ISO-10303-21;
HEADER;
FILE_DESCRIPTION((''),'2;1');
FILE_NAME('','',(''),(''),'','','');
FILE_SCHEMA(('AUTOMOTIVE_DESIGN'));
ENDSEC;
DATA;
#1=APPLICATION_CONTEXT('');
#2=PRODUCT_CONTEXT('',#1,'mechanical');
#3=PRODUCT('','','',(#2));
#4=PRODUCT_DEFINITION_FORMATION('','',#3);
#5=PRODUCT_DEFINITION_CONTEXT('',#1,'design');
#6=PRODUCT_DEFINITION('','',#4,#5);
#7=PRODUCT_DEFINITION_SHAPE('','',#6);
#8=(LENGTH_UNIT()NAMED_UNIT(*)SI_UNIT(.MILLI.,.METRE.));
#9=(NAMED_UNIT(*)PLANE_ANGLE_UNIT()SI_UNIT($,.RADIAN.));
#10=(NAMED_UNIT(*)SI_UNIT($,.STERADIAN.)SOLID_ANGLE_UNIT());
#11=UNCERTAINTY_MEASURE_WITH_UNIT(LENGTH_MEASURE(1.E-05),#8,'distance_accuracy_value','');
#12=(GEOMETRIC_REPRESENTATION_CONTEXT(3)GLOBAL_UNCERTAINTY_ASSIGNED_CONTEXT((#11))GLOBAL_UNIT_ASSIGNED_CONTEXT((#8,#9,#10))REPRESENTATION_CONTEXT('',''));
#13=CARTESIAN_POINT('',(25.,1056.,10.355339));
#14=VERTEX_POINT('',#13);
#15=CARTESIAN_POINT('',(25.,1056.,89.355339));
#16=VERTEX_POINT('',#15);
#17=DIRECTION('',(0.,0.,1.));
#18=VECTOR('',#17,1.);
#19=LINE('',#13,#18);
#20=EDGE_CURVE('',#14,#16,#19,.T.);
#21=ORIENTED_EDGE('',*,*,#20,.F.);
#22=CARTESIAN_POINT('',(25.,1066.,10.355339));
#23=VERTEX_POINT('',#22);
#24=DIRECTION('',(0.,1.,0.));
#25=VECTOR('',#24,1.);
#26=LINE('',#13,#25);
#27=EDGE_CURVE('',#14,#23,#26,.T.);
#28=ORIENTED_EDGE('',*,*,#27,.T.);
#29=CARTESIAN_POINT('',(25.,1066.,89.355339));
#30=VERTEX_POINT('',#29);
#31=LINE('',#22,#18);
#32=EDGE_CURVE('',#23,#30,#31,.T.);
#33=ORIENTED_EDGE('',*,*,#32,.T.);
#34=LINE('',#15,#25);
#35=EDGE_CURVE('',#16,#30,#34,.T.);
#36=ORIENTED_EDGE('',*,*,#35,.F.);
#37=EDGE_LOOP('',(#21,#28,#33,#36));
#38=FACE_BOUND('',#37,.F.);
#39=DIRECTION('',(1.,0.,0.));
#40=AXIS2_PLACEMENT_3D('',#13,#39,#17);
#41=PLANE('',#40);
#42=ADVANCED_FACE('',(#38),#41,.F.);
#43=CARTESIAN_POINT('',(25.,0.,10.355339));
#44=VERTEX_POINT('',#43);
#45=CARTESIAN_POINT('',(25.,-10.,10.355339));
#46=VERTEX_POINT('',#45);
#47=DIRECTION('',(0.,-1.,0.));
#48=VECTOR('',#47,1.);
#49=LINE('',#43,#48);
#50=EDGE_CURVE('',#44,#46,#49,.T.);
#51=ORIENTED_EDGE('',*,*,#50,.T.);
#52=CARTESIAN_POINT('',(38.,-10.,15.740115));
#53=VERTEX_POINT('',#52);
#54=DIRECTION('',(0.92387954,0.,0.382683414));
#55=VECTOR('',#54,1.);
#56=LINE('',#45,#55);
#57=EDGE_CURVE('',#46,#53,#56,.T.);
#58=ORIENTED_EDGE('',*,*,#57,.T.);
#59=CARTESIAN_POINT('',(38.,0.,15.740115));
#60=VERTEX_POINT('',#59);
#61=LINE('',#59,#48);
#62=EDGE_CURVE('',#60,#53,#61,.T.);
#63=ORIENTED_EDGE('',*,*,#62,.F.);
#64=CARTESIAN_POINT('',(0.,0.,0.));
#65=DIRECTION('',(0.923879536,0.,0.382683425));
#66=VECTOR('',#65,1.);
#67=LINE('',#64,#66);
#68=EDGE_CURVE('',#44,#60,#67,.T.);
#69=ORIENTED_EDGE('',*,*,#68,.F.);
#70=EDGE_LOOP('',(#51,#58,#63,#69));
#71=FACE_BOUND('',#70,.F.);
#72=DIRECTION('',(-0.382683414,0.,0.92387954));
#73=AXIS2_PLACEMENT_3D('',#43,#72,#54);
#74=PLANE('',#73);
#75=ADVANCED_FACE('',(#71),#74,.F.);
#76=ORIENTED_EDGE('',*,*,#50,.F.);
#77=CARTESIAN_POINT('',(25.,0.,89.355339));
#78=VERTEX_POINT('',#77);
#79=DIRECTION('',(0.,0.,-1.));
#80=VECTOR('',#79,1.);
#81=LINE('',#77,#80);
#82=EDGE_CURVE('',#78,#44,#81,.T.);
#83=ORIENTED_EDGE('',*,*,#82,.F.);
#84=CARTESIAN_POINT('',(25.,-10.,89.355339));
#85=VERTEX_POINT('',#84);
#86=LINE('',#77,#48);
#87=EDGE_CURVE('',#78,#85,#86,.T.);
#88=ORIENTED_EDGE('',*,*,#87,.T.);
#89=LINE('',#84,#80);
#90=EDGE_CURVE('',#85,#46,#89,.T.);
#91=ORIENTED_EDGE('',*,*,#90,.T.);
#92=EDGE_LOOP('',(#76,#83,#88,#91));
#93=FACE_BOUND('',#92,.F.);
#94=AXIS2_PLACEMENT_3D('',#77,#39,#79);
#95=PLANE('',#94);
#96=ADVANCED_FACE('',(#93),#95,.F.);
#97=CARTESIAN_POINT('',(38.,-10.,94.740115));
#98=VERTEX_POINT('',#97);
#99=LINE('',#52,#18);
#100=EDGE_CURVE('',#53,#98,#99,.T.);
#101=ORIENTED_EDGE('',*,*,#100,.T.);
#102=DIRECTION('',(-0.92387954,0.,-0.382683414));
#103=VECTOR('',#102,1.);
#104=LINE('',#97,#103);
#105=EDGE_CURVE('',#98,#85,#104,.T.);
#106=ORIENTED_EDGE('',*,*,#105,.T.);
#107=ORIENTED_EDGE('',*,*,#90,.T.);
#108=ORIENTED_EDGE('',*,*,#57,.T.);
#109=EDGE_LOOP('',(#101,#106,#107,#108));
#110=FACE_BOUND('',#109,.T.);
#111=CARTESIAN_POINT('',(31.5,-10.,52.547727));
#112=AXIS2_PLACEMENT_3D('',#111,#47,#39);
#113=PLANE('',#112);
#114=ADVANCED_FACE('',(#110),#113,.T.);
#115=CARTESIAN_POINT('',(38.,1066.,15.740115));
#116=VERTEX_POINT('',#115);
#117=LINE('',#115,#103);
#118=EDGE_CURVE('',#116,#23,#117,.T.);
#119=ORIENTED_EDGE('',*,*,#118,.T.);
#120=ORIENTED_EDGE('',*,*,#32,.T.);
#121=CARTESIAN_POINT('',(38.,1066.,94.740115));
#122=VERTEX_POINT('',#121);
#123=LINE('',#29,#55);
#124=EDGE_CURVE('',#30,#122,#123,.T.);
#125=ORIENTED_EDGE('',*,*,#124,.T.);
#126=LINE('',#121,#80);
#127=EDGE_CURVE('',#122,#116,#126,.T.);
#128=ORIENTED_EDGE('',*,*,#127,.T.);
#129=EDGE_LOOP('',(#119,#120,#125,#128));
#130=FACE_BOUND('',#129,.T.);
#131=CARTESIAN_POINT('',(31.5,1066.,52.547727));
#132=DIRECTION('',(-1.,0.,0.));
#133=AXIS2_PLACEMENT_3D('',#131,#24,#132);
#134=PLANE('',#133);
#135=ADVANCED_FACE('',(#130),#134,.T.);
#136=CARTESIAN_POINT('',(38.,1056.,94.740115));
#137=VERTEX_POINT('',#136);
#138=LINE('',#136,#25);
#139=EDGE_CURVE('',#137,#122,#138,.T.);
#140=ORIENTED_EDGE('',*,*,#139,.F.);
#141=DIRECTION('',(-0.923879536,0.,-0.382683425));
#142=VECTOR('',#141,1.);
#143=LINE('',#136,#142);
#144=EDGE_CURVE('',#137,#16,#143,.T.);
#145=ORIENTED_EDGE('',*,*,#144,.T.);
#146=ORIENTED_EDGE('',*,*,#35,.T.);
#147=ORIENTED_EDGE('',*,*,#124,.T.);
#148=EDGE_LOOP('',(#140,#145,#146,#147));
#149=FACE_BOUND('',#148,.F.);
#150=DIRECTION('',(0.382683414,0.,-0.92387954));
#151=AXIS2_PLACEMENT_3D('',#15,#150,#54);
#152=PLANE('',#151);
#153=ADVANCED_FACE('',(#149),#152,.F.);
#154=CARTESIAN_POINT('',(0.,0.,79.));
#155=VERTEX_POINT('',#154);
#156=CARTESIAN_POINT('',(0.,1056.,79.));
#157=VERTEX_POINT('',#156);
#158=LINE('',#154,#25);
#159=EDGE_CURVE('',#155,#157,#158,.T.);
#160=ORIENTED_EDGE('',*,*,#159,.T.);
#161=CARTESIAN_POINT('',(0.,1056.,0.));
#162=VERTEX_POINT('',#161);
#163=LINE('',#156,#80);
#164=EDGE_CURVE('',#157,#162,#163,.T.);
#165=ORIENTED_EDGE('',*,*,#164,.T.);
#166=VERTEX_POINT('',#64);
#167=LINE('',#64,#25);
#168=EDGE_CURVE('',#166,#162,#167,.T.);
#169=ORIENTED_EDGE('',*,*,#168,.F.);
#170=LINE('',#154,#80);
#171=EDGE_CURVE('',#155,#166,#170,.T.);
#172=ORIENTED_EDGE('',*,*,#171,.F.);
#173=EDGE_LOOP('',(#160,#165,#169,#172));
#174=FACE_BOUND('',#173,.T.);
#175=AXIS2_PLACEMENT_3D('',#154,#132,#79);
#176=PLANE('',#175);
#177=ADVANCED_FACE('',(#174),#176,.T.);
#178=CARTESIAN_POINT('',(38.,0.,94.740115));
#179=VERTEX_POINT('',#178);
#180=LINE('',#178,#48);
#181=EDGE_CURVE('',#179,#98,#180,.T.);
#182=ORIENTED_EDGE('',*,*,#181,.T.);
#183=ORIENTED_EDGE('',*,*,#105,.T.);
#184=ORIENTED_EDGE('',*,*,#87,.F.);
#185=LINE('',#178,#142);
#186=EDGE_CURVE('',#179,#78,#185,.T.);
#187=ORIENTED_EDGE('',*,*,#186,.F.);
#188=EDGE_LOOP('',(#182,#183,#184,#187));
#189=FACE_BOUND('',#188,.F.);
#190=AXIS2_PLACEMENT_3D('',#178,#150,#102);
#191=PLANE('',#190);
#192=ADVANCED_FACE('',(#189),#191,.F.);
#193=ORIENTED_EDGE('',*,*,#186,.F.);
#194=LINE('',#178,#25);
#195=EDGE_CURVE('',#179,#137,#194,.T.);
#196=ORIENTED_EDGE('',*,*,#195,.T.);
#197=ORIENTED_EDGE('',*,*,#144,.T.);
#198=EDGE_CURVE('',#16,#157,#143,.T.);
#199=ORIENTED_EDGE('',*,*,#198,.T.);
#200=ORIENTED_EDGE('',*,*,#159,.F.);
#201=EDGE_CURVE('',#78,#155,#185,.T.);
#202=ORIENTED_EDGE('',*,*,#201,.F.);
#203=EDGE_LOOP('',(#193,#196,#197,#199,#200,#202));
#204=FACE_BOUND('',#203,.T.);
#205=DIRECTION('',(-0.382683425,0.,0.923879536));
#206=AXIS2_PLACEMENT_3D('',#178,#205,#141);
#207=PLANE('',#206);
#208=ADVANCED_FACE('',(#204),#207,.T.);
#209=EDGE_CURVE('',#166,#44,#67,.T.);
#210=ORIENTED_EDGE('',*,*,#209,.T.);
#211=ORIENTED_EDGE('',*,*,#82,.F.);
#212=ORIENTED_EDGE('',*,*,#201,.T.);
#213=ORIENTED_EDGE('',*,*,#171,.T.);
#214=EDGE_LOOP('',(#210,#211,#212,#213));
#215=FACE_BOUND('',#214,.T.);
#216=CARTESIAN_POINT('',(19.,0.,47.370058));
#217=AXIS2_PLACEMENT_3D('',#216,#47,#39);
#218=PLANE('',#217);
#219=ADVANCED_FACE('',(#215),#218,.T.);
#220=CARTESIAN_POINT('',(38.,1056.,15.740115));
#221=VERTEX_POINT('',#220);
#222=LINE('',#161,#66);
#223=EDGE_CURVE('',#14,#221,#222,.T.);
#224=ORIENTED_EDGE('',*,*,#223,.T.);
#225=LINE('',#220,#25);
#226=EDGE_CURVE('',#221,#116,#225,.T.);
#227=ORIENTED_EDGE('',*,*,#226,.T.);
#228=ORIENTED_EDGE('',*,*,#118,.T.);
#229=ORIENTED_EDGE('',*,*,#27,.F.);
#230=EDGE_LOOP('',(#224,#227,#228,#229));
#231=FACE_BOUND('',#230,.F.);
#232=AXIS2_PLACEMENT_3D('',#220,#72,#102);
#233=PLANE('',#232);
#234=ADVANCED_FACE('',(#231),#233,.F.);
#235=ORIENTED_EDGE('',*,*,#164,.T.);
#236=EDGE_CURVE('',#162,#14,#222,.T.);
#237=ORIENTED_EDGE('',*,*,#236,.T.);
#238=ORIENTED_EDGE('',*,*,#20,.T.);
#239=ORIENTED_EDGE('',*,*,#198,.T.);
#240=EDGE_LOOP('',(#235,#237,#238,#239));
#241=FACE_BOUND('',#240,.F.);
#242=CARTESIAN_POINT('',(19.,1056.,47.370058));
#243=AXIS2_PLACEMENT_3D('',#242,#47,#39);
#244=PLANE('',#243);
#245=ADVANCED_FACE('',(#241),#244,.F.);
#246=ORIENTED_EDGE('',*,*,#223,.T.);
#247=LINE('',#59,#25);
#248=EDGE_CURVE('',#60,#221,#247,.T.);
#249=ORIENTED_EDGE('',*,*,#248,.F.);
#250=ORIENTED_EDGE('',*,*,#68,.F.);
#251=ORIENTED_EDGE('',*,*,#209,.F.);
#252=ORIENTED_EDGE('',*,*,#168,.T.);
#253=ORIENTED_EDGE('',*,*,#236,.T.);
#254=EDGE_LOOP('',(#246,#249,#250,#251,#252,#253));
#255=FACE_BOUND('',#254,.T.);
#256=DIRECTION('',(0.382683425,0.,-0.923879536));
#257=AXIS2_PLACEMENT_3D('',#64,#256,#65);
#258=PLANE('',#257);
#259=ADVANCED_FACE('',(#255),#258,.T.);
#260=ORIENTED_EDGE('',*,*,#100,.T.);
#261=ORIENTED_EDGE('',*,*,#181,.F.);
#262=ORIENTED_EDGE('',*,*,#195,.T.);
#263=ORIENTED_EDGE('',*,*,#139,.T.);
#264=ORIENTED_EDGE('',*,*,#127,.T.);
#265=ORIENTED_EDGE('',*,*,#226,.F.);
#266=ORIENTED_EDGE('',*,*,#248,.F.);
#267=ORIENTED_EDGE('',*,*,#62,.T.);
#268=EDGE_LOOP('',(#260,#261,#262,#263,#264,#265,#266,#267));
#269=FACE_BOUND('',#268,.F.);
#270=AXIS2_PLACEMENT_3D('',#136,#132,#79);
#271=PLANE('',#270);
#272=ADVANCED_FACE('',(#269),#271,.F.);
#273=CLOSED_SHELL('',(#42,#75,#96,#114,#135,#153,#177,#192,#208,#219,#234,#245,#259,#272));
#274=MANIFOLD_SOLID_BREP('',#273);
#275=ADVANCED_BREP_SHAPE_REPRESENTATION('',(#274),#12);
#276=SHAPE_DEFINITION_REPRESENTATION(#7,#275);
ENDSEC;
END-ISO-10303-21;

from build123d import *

# Parameters (mm, degrees)
F1_DEPTH = 1056
F3_DEPTH = 10
F5_DEPTH = 10


with BuildPart() as f1:
    # F0 (on Front) → F1 (new body)
    with BuildSketch(Plane.XZ):
        Polygon((0, 79), (0, 0), (38, 15.740115), (38, 94.740115), align=None)
    extrude(amount=-F1_DEPTH)

    # F2 (on face) → F3 (join)
    with BuildSketch(Plane.XZ):
        Polygon((38, 94.740115), (25, 89.355339), (25, 10.355339), (38, 15.740115), align=None)
    extrude(amount=F3_DEPTH)

    # F4 (on face) → F5 (join)
    with BuildSketch(Plane(origin=(0, 1056, 0), x_dir=(-1, 0, 0), z_dir=(0, 1, 0))):
        Polygon((-38, 94.740115), (-38, 15.740115), (-25, 10.355339), (-25, 89.355339), align=None)
    extrude(amount=F5_DEPTH)


solid = f1.part
